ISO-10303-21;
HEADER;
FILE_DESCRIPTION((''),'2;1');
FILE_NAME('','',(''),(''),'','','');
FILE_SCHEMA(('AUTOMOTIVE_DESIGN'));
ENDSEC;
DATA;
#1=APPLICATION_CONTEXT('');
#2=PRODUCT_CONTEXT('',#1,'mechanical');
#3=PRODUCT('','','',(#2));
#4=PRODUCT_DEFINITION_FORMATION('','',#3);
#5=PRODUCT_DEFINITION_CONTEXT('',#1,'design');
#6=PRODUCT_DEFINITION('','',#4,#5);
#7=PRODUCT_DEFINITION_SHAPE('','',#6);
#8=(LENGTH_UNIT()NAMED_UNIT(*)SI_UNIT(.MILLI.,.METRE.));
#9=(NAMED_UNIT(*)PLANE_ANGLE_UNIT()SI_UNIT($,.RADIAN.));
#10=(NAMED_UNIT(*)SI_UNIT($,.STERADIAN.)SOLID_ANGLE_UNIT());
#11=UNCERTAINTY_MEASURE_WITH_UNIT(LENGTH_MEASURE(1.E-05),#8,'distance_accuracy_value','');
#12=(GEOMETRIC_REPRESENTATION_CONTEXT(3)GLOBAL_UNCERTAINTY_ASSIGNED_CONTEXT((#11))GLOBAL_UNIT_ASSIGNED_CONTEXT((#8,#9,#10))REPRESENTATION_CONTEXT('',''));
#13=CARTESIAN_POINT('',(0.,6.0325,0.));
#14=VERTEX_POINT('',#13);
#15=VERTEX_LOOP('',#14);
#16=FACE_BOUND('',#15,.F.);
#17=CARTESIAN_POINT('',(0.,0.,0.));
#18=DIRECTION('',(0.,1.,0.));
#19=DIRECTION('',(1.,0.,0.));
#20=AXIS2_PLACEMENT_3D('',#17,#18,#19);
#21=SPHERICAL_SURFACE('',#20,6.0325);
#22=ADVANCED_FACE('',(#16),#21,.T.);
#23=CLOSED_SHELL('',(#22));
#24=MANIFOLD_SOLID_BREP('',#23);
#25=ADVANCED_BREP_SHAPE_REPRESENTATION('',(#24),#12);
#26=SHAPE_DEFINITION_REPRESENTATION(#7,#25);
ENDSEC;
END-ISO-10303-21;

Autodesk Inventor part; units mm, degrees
ref_plane "YZ Plane" through (0, 0, 0) normal (1, 0, 0) x (0, 1, 0)
ref_plane "XZ Plane" through (0, 0, 0) normal (0, 1, 0) x (-1, 0, 0)
sketch "Sketch2" plane through (0, 0, 0) normal (0, 0, 1) x (1, 0, 0)
  arc A0 (0, -6.0325) -> (0, 6.0325) centre (0, 0) ccw
  line L0 (0, 6.0325) -> (0, -6.0325)
  dimension "d1" = 12.065
revolve "Revolution1" add sketch "Sketch2" angle 360 about axis through (0, 6.0325, 0) along (0, -1, 0)
equation "\"d1\" = diameterOfBall"
equation "\"allowanceForBallToRotate\" = 0.635"
equation "\"diameterOfBall\" = 12.065"
properties part number "ball"
